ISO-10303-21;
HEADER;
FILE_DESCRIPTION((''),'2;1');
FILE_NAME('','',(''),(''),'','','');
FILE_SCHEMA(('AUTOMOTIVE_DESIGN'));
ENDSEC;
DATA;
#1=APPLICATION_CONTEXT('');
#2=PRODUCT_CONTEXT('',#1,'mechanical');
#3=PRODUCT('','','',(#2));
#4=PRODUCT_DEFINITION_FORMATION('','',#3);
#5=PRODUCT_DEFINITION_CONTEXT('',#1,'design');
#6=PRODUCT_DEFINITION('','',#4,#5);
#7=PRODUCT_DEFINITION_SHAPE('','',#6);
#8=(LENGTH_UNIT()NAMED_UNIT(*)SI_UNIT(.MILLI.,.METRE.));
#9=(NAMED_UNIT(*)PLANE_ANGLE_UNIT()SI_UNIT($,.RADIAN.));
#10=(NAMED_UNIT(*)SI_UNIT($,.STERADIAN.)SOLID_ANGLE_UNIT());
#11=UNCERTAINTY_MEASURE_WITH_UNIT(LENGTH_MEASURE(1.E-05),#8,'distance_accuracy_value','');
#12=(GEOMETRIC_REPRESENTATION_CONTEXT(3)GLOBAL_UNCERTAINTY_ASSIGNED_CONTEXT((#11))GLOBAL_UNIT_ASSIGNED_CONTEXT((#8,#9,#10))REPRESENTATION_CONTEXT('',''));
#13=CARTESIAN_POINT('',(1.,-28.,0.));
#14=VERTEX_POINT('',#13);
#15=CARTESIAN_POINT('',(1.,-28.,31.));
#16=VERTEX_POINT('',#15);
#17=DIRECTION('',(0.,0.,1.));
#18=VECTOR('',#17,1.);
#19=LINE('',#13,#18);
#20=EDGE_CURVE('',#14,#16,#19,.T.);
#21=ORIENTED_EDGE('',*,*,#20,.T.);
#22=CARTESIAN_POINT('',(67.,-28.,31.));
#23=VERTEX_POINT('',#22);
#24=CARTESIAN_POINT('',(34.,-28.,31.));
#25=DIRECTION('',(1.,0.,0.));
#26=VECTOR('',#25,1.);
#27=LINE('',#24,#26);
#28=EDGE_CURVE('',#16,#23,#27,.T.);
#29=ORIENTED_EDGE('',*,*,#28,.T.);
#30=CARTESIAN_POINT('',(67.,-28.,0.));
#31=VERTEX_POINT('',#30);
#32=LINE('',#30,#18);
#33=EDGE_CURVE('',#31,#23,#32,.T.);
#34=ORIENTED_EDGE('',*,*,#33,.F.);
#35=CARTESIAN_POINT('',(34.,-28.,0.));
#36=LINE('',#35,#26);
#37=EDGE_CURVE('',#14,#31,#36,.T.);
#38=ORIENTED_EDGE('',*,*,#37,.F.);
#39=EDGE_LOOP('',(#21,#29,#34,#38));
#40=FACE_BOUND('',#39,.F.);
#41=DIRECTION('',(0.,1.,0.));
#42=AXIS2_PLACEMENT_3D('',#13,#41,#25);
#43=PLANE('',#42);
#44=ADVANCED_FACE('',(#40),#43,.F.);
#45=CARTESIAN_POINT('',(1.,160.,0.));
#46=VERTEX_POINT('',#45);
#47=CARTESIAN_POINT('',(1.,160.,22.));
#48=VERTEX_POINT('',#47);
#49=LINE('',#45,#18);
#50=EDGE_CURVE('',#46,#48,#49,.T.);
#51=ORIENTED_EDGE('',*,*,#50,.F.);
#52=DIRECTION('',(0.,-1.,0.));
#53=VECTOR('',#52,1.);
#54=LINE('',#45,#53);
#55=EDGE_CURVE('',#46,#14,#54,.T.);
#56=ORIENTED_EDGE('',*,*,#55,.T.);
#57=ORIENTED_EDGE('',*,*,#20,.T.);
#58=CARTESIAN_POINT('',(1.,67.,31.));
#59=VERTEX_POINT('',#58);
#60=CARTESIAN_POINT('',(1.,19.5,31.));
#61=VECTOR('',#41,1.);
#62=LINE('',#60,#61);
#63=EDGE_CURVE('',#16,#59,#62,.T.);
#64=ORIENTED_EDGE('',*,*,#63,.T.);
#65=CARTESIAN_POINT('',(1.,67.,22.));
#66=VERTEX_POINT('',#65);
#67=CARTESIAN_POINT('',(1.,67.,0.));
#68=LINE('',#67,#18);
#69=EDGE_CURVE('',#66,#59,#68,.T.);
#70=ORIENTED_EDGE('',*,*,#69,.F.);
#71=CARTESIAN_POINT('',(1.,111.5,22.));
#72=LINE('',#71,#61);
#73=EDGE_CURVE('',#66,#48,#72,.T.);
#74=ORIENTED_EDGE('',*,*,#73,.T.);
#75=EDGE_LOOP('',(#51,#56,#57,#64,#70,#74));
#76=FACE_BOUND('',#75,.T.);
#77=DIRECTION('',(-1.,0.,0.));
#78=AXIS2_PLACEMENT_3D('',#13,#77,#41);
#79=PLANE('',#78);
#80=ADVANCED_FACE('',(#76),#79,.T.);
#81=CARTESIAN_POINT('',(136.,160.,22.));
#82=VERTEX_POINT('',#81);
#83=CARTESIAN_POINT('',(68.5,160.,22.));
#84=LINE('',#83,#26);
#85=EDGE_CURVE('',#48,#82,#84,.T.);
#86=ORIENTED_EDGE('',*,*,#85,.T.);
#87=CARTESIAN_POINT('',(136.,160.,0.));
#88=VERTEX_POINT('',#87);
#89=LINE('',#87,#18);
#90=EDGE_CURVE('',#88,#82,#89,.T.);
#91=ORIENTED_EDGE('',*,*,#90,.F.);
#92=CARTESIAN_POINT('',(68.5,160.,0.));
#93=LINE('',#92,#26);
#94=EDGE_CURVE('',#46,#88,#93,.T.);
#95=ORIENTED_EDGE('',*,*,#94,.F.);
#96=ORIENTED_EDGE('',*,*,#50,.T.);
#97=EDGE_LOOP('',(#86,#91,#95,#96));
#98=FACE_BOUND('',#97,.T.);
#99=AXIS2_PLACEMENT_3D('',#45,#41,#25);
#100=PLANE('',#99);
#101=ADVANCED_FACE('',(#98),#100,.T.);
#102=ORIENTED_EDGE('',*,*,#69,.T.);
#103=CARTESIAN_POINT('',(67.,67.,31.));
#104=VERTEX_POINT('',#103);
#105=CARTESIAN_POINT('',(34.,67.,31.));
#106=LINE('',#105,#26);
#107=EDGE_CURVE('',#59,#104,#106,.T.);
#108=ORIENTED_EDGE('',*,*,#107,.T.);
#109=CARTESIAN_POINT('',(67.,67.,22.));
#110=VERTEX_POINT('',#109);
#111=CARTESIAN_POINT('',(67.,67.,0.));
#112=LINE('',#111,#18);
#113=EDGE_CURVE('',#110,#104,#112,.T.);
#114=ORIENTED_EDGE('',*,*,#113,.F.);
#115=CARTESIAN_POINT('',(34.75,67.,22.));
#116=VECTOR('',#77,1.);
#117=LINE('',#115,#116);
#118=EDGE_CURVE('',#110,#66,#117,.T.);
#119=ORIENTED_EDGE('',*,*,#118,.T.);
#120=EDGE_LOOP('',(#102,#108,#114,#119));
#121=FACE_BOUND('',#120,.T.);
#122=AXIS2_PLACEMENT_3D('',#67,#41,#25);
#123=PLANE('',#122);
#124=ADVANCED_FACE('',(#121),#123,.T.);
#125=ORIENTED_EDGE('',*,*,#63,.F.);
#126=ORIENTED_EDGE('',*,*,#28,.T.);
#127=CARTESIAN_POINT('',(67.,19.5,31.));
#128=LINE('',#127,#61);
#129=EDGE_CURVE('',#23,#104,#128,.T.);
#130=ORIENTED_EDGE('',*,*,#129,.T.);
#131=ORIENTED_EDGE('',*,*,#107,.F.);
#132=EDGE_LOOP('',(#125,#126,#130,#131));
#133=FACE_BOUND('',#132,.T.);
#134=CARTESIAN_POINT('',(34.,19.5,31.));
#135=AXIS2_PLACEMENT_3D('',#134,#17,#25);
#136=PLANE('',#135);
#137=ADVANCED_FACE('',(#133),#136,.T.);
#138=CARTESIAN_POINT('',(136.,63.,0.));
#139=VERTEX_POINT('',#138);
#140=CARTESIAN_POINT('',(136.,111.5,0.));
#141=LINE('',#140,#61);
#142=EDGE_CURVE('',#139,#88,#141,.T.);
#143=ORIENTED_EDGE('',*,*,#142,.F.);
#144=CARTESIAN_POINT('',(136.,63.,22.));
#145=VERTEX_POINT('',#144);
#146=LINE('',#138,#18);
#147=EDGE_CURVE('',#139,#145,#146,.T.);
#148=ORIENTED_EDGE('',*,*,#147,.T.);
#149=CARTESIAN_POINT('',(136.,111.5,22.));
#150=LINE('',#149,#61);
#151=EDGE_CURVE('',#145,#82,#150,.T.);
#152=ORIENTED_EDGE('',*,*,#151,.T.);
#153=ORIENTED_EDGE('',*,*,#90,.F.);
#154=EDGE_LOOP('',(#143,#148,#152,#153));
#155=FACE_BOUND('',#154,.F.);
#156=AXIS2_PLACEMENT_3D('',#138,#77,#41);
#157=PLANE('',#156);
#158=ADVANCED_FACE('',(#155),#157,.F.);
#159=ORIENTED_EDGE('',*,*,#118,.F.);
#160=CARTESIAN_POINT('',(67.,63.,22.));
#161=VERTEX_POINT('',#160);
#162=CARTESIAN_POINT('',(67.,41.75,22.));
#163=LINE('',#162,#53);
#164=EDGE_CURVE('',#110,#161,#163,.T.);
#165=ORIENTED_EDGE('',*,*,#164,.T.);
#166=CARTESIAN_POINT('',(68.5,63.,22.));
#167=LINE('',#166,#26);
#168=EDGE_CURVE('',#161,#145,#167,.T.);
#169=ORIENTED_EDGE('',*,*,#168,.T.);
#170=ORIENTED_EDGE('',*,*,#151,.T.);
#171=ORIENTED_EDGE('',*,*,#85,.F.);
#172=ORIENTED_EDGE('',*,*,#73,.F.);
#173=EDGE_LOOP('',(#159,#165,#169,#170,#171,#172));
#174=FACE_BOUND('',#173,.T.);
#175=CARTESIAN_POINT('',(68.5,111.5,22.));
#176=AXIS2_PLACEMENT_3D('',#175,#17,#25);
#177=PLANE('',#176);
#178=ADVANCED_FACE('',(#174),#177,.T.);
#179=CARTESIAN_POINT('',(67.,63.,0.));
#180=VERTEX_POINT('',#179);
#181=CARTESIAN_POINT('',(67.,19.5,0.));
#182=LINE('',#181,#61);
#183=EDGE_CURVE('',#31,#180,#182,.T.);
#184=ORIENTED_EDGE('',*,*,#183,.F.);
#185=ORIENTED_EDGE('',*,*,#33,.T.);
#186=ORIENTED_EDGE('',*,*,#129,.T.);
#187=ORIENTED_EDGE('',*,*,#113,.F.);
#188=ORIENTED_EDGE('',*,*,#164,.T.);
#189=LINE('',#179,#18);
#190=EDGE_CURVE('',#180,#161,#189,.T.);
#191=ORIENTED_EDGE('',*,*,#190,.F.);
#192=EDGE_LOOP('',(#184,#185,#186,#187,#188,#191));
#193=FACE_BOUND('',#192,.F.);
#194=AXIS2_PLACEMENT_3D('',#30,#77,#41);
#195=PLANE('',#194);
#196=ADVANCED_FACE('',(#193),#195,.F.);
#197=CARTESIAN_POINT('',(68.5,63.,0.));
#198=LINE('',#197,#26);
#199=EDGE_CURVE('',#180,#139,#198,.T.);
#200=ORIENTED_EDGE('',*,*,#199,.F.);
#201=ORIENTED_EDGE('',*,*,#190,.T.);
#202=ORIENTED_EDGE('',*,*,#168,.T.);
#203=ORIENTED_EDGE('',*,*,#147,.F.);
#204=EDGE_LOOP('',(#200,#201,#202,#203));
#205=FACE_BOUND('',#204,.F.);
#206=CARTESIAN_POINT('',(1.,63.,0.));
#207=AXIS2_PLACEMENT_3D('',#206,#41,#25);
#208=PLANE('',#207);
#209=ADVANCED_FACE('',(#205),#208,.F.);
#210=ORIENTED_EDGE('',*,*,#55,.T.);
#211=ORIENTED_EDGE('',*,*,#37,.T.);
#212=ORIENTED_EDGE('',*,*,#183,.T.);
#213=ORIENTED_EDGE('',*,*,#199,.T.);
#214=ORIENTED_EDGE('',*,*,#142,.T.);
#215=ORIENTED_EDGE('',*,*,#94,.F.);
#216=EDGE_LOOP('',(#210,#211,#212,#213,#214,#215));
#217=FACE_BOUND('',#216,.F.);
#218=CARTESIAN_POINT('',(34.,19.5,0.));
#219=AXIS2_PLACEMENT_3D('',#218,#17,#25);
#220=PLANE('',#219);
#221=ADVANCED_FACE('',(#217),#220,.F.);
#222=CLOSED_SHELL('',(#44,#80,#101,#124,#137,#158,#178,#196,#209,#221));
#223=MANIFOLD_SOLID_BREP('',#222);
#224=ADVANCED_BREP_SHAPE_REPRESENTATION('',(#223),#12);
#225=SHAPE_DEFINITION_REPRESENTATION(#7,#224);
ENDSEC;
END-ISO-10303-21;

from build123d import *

# Parameters (mm, degrees)
BOX009_W     = 66
BOX009_H     = 95
BOX009_DEPTH = 31
BOX008_W     = 135
BOX008_H     = 97
BOX008_DEPTH = 22


with BuildPart() as cube002:
    # Box009 → Box009 (new body)
    with BuildSketch(Plane(origin=(1, -28, 0), x_dir=(1, 0, 0), z_dir=(0, 0, 1))):
        with Locations((33, 47.5)):
            Rectangle(BOX009_W, BOX009_H)
    extrude(amount=BOX009_DEPTH)


with BuildPart() as fusion006:
    # Box008 → Box008 (new body)
    with BuildSketch(Plane(origin=(1, 63, 0), x_dir=(1, 0, 0), z_dir=(0, 0, 1))):
        with Locations((67.5, 48.5)):
            Rectangle(BOX008_W, BOX008_H)
    extrude(amount=BOX008_DEPTH)

    # Fusion006: union Cube002
    add(cube002.part)


solid = fusion006.part
